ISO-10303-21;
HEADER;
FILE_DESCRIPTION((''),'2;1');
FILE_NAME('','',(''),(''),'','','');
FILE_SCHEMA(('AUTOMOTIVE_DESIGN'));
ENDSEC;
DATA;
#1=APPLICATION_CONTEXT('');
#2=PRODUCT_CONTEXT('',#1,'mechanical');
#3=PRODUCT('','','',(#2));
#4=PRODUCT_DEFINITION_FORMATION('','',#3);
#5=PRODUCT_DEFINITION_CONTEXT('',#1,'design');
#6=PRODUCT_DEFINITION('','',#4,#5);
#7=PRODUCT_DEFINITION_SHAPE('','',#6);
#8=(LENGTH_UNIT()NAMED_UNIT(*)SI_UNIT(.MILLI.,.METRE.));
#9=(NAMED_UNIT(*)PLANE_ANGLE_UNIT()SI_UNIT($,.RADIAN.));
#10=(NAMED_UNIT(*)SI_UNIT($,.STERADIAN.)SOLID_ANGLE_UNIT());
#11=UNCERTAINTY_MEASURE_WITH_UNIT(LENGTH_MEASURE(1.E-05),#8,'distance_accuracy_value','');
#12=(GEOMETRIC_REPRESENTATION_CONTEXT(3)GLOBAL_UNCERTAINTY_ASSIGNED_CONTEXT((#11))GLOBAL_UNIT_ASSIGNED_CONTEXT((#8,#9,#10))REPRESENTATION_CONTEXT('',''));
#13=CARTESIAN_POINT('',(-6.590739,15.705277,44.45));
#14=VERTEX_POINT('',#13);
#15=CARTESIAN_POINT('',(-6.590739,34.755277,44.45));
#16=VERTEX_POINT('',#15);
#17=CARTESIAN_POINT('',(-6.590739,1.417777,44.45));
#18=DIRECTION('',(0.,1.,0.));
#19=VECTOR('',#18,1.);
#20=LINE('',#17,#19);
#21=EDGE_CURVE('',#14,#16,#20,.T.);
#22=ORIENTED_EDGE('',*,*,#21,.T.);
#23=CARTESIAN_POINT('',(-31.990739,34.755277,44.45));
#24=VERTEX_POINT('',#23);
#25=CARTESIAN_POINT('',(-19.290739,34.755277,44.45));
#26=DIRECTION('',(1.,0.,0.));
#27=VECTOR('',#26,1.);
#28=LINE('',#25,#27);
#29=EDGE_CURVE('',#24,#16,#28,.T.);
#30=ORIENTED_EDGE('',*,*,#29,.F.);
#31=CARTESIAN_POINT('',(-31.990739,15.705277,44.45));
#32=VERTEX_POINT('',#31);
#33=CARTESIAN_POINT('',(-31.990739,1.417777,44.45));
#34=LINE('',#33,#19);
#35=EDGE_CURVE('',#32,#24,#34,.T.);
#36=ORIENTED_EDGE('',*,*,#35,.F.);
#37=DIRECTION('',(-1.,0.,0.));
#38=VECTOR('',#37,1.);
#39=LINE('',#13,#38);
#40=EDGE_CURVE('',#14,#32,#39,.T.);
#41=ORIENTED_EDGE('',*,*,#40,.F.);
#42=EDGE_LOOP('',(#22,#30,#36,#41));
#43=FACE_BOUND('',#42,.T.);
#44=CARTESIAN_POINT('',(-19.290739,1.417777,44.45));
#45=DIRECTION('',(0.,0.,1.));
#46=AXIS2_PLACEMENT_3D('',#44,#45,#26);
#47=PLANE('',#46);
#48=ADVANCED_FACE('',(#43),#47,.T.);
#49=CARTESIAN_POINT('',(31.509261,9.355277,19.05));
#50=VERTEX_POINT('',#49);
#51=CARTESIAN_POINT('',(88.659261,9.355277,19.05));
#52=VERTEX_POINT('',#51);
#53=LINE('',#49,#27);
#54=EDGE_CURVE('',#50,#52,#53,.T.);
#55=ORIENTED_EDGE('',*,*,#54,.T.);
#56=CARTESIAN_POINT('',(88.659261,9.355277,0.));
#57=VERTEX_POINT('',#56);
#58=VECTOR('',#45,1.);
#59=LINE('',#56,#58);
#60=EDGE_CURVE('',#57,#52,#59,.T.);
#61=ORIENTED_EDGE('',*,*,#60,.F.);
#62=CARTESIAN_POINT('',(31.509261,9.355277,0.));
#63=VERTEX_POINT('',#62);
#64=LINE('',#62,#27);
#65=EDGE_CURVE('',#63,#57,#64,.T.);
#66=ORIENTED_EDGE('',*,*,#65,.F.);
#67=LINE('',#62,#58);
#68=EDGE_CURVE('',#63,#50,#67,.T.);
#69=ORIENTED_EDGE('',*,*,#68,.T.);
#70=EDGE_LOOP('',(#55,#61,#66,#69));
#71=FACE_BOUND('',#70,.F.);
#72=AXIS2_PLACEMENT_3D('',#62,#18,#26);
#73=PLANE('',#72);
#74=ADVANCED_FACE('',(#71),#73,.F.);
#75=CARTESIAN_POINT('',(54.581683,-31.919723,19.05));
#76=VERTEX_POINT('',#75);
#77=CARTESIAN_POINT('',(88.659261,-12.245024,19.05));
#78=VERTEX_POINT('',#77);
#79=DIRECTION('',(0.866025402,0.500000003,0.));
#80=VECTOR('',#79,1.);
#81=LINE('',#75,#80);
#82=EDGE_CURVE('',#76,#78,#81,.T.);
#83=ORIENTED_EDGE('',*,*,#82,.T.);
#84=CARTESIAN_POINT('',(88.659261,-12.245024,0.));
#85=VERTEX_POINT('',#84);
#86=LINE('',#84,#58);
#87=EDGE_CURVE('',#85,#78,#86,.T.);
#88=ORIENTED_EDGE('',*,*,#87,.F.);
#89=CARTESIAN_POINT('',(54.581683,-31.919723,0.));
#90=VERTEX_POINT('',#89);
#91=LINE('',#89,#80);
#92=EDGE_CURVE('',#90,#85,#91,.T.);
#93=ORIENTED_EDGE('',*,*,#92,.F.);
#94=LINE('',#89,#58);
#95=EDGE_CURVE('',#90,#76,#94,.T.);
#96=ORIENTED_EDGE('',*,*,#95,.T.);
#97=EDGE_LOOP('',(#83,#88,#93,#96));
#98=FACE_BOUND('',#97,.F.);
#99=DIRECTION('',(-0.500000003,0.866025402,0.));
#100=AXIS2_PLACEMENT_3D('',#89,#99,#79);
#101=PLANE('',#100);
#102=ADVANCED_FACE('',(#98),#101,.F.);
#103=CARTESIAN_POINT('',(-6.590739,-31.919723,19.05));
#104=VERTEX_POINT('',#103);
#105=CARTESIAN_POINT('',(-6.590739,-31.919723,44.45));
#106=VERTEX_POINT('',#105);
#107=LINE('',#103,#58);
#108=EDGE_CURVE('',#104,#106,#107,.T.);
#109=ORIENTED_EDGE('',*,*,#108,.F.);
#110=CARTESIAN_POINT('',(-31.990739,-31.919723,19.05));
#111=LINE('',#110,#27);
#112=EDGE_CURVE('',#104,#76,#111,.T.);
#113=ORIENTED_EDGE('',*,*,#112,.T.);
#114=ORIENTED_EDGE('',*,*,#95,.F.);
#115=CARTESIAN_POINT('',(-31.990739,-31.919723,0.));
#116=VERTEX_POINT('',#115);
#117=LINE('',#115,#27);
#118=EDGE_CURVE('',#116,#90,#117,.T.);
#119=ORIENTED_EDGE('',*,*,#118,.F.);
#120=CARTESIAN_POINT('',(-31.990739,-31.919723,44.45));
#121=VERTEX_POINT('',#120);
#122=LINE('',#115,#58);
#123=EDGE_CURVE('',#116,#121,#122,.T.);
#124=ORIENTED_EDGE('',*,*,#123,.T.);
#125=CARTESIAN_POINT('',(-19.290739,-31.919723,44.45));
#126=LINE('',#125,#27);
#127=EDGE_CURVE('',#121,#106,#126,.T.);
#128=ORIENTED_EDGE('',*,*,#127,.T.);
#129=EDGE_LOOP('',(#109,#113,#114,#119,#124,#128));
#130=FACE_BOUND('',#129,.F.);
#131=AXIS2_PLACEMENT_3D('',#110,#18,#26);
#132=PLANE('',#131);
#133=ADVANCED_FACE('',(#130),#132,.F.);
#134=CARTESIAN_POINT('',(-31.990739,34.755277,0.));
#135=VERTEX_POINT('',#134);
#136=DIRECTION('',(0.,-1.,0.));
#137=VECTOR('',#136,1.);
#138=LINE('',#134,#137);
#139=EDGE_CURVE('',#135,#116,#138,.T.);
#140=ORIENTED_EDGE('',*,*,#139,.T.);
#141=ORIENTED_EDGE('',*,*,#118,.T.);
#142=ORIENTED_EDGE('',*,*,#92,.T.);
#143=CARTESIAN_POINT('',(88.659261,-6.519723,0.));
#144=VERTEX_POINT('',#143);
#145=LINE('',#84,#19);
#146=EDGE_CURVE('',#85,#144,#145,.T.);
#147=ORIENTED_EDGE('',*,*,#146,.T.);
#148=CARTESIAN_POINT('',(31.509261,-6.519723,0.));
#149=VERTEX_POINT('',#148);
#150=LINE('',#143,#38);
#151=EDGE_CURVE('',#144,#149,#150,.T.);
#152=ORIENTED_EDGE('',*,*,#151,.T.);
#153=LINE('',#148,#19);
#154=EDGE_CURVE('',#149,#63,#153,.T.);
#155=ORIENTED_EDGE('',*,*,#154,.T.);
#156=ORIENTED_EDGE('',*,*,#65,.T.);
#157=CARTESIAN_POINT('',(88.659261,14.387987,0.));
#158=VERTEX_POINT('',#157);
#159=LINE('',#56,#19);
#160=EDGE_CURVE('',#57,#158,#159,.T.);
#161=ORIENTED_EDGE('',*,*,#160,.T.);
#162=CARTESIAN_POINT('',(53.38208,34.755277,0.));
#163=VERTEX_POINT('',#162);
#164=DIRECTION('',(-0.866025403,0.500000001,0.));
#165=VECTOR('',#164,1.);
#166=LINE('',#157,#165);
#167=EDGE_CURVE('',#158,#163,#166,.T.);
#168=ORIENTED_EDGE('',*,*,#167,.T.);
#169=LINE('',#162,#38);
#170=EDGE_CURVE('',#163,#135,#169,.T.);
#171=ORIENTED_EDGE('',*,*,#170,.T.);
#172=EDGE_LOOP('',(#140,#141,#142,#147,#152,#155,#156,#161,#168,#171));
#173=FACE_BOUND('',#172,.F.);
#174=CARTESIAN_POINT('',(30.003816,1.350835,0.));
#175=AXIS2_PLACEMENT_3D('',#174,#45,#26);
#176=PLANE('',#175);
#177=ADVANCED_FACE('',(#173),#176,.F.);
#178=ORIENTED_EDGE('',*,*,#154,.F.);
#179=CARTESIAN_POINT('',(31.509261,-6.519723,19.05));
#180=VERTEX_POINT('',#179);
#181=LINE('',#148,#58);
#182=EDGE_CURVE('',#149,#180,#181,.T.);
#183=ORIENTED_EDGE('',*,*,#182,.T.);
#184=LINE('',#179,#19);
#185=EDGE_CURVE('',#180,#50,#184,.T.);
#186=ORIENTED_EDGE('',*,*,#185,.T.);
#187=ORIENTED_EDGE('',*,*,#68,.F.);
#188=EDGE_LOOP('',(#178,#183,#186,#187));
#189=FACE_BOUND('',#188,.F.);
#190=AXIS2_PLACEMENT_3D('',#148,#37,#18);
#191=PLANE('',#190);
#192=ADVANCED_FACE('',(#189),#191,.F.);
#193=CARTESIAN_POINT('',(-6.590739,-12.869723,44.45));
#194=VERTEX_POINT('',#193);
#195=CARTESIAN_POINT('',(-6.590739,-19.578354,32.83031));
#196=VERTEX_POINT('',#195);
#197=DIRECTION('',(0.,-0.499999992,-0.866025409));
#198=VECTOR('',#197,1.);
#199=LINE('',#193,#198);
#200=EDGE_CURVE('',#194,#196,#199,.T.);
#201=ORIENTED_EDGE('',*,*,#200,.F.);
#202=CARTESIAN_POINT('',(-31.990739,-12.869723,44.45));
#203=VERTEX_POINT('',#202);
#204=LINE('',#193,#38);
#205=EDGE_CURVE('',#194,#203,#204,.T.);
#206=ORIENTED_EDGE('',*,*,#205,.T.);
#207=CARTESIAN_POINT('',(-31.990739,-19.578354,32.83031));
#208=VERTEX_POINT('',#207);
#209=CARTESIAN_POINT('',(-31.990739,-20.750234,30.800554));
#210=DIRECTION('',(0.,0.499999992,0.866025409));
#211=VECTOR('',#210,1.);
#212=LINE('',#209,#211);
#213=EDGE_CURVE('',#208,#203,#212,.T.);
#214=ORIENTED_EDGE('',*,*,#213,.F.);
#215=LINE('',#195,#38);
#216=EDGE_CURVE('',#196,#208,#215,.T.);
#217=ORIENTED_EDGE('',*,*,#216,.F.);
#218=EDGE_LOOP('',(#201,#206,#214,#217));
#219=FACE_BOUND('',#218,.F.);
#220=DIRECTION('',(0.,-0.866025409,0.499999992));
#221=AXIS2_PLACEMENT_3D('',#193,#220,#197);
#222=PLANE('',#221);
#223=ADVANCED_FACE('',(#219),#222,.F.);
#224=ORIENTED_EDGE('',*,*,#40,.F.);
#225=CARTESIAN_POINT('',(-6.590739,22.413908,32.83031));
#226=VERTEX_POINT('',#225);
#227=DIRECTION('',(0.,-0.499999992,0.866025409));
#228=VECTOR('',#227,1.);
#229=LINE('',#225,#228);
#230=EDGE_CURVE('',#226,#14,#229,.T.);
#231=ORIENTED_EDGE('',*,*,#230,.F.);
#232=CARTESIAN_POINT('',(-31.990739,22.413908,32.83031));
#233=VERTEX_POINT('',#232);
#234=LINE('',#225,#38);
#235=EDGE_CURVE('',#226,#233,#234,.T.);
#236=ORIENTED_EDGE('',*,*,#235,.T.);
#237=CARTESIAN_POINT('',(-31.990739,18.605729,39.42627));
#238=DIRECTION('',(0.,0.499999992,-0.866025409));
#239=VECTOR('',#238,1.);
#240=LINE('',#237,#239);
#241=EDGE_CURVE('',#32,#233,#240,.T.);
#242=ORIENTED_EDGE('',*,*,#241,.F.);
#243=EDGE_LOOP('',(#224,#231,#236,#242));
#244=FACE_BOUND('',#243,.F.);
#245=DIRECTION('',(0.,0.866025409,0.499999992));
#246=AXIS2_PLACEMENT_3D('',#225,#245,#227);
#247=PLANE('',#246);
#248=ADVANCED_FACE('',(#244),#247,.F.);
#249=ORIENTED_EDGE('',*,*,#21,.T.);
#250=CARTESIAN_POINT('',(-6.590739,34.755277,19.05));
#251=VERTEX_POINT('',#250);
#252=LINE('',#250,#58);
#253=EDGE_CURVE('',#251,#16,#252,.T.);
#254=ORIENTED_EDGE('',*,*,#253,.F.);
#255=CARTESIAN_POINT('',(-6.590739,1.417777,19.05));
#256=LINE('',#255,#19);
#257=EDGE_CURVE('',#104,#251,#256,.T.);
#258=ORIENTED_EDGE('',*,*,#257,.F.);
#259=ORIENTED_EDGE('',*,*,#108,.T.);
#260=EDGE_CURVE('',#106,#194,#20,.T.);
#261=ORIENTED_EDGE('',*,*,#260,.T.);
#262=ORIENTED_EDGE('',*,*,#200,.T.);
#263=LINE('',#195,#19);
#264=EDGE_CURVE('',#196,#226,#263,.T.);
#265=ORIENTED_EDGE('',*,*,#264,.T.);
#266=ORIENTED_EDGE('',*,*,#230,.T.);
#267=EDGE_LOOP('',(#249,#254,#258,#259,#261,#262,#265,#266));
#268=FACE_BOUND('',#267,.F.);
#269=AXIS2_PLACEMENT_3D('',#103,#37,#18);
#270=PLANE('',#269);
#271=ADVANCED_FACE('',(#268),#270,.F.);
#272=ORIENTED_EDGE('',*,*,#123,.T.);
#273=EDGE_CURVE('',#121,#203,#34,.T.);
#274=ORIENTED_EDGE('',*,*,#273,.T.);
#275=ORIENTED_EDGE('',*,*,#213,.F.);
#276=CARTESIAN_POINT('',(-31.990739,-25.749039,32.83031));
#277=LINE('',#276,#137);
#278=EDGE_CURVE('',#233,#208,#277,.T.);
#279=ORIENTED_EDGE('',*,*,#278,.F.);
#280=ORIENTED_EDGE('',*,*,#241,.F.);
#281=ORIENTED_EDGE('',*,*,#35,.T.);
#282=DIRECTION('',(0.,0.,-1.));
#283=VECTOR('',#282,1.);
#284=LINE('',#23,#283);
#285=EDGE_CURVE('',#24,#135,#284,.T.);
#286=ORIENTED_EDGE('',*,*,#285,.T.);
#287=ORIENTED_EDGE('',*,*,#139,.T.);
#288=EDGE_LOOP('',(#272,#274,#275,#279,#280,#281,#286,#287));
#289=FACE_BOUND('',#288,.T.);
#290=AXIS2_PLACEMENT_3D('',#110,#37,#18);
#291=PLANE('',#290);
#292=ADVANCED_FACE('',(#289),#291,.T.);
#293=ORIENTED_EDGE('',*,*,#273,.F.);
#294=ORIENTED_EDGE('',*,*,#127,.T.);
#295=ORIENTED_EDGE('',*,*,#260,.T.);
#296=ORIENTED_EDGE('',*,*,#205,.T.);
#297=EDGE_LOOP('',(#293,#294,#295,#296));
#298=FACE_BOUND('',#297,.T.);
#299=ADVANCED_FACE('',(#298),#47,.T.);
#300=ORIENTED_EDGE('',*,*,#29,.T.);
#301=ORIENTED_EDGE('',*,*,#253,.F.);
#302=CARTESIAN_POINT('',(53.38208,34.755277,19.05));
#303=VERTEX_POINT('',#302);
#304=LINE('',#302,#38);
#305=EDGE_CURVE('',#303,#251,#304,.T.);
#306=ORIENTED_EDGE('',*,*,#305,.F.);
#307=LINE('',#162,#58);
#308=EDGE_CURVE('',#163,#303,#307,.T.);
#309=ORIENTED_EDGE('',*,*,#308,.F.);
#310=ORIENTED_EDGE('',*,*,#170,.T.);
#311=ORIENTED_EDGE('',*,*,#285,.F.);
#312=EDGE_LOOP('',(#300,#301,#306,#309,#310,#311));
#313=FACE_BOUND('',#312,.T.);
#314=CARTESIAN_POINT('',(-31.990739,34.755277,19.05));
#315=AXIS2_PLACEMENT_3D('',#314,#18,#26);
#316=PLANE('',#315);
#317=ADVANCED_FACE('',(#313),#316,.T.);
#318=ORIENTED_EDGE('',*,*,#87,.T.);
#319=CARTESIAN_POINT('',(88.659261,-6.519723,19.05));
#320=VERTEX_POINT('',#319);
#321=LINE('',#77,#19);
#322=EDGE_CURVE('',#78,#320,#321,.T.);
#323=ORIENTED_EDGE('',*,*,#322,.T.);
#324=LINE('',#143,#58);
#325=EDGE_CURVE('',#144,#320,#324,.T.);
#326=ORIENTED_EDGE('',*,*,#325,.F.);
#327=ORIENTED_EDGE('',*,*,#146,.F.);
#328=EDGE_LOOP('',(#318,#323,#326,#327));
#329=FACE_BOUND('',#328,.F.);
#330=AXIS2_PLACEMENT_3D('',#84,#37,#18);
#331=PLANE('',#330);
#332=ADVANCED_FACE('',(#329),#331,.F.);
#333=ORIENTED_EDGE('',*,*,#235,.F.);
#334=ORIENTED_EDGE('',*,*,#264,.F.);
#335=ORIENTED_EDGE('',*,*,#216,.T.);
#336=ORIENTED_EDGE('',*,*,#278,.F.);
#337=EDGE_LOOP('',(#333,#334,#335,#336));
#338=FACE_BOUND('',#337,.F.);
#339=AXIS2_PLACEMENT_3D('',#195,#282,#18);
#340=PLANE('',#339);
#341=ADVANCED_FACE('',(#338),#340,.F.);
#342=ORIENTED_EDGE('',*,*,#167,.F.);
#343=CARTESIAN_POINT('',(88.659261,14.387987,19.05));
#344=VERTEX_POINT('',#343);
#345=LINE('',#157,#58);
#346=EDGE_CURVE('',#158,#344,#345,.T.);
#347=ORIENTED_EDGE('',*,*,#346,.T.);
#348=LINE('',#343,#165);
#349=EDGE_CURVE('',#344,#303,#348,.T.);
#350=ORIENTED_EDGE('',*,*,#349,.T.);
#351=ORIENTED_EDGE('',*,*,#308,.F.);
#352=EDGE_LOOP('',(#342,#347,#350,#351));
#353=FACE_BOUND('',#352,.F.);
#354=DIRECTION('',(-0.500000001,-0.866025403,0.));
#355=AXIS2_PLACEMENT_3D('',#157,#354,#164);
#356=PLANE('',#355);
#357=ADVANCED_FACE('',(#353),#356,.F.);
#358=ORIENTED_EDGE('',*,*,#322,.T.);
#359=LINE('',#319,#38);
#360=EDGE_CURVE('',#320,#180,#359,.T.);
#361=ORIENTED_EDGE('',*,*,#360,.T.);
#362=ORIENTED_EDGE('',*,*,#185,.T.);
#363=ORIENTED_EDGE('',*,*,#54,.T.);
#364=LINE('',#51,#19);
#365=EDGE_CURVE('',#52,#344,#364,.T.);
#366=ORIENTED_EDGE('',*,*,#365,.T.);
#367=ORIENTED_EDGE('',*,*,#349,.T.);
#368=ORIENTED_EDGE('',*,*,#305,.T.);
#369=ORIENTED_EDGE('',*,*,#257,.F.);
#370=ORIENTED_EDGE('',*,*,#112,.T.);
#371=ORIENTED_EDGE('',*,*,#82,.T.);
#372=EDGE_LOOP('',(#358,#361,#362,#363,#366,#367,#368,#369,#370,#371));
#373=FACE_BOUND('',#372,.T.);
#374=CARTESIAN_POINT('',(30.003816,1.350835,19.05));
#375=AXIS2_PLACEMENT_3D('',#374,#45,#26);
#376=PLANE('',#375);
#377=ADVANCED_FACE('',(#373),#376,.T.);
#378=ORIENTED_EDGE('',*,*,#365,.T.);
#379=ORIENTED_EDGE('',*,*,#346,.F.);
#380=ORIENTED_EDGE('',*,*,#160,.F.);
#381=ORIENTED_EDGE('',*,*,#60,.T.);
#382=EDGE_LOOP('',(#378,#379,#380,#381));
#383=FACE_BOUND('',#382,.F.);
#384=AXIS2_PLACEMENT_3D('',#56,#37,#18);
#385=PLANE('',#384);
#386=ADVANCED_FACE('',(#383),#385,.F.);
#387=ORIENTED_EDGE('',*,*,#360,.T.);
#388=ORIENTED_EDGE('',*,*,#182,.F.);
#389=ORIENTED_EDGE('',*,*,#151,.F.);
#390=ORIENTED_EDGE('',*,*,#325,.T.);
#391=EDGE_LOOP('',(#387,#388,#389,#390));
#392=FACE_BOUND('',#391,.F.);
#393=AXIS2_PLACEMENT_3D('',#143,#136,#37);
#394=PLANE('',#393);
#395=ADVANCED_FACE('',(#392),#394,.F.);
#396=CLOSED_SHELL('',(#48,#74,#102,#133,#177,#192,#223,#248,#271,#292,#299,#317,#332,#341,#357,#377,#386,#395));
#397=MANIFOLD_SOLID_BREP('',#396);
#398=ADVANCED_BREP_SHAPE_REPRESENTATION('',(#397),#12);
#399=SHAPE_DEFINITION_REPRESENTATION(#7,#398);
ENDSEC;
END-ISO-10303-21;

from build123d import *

# Parameters (mm, degrees)
F1_DEPTH = 19.05
F2_W     = 25.4
F2_H     = 66.675
F3_DEPTH = 25.4
F5_DEPTH = 32.258


with BuildPart() as f1:
    # F0 (on Top) → F1 (new body)
    with BuildSketch(Plane.XY):
        Polygon((53.38208, 34.755277), (-31.990739, 34.755277), (-31.990739, -31.919723), (54.581683, -31.919723), (88.659261, -12.245024), (88.659261, -6.519723), (31.509261, -6.519723), (31.509261, 9.355277), (88.659261, 9.355277), (88.659261, 14.387987), align=None)
    extrude(amount=F1_DEPTH)

    # F2 (on face) → F3 (join)
    with BuildSketch(Plane.XY.offset(19.05)):
        with Locations((-19.290739, 1.417777)):
            Rectangle(F2_W, F2_H)
    extrude(amount=F3_DEPTH)

    # F4 (on face) → F5 (cut)
    with BuildSketch(Plane.YZ.offset(-6.590739)):
        Polygon((15.705277, 44.45), (-12.869723, 44.45), (-19.578354, 32.83031), (22.413908, 32.83031), align=None)
    extrude(amount=-F5_DEPTH, mode=Mode.SUBTRACT)


solid = f1.part
